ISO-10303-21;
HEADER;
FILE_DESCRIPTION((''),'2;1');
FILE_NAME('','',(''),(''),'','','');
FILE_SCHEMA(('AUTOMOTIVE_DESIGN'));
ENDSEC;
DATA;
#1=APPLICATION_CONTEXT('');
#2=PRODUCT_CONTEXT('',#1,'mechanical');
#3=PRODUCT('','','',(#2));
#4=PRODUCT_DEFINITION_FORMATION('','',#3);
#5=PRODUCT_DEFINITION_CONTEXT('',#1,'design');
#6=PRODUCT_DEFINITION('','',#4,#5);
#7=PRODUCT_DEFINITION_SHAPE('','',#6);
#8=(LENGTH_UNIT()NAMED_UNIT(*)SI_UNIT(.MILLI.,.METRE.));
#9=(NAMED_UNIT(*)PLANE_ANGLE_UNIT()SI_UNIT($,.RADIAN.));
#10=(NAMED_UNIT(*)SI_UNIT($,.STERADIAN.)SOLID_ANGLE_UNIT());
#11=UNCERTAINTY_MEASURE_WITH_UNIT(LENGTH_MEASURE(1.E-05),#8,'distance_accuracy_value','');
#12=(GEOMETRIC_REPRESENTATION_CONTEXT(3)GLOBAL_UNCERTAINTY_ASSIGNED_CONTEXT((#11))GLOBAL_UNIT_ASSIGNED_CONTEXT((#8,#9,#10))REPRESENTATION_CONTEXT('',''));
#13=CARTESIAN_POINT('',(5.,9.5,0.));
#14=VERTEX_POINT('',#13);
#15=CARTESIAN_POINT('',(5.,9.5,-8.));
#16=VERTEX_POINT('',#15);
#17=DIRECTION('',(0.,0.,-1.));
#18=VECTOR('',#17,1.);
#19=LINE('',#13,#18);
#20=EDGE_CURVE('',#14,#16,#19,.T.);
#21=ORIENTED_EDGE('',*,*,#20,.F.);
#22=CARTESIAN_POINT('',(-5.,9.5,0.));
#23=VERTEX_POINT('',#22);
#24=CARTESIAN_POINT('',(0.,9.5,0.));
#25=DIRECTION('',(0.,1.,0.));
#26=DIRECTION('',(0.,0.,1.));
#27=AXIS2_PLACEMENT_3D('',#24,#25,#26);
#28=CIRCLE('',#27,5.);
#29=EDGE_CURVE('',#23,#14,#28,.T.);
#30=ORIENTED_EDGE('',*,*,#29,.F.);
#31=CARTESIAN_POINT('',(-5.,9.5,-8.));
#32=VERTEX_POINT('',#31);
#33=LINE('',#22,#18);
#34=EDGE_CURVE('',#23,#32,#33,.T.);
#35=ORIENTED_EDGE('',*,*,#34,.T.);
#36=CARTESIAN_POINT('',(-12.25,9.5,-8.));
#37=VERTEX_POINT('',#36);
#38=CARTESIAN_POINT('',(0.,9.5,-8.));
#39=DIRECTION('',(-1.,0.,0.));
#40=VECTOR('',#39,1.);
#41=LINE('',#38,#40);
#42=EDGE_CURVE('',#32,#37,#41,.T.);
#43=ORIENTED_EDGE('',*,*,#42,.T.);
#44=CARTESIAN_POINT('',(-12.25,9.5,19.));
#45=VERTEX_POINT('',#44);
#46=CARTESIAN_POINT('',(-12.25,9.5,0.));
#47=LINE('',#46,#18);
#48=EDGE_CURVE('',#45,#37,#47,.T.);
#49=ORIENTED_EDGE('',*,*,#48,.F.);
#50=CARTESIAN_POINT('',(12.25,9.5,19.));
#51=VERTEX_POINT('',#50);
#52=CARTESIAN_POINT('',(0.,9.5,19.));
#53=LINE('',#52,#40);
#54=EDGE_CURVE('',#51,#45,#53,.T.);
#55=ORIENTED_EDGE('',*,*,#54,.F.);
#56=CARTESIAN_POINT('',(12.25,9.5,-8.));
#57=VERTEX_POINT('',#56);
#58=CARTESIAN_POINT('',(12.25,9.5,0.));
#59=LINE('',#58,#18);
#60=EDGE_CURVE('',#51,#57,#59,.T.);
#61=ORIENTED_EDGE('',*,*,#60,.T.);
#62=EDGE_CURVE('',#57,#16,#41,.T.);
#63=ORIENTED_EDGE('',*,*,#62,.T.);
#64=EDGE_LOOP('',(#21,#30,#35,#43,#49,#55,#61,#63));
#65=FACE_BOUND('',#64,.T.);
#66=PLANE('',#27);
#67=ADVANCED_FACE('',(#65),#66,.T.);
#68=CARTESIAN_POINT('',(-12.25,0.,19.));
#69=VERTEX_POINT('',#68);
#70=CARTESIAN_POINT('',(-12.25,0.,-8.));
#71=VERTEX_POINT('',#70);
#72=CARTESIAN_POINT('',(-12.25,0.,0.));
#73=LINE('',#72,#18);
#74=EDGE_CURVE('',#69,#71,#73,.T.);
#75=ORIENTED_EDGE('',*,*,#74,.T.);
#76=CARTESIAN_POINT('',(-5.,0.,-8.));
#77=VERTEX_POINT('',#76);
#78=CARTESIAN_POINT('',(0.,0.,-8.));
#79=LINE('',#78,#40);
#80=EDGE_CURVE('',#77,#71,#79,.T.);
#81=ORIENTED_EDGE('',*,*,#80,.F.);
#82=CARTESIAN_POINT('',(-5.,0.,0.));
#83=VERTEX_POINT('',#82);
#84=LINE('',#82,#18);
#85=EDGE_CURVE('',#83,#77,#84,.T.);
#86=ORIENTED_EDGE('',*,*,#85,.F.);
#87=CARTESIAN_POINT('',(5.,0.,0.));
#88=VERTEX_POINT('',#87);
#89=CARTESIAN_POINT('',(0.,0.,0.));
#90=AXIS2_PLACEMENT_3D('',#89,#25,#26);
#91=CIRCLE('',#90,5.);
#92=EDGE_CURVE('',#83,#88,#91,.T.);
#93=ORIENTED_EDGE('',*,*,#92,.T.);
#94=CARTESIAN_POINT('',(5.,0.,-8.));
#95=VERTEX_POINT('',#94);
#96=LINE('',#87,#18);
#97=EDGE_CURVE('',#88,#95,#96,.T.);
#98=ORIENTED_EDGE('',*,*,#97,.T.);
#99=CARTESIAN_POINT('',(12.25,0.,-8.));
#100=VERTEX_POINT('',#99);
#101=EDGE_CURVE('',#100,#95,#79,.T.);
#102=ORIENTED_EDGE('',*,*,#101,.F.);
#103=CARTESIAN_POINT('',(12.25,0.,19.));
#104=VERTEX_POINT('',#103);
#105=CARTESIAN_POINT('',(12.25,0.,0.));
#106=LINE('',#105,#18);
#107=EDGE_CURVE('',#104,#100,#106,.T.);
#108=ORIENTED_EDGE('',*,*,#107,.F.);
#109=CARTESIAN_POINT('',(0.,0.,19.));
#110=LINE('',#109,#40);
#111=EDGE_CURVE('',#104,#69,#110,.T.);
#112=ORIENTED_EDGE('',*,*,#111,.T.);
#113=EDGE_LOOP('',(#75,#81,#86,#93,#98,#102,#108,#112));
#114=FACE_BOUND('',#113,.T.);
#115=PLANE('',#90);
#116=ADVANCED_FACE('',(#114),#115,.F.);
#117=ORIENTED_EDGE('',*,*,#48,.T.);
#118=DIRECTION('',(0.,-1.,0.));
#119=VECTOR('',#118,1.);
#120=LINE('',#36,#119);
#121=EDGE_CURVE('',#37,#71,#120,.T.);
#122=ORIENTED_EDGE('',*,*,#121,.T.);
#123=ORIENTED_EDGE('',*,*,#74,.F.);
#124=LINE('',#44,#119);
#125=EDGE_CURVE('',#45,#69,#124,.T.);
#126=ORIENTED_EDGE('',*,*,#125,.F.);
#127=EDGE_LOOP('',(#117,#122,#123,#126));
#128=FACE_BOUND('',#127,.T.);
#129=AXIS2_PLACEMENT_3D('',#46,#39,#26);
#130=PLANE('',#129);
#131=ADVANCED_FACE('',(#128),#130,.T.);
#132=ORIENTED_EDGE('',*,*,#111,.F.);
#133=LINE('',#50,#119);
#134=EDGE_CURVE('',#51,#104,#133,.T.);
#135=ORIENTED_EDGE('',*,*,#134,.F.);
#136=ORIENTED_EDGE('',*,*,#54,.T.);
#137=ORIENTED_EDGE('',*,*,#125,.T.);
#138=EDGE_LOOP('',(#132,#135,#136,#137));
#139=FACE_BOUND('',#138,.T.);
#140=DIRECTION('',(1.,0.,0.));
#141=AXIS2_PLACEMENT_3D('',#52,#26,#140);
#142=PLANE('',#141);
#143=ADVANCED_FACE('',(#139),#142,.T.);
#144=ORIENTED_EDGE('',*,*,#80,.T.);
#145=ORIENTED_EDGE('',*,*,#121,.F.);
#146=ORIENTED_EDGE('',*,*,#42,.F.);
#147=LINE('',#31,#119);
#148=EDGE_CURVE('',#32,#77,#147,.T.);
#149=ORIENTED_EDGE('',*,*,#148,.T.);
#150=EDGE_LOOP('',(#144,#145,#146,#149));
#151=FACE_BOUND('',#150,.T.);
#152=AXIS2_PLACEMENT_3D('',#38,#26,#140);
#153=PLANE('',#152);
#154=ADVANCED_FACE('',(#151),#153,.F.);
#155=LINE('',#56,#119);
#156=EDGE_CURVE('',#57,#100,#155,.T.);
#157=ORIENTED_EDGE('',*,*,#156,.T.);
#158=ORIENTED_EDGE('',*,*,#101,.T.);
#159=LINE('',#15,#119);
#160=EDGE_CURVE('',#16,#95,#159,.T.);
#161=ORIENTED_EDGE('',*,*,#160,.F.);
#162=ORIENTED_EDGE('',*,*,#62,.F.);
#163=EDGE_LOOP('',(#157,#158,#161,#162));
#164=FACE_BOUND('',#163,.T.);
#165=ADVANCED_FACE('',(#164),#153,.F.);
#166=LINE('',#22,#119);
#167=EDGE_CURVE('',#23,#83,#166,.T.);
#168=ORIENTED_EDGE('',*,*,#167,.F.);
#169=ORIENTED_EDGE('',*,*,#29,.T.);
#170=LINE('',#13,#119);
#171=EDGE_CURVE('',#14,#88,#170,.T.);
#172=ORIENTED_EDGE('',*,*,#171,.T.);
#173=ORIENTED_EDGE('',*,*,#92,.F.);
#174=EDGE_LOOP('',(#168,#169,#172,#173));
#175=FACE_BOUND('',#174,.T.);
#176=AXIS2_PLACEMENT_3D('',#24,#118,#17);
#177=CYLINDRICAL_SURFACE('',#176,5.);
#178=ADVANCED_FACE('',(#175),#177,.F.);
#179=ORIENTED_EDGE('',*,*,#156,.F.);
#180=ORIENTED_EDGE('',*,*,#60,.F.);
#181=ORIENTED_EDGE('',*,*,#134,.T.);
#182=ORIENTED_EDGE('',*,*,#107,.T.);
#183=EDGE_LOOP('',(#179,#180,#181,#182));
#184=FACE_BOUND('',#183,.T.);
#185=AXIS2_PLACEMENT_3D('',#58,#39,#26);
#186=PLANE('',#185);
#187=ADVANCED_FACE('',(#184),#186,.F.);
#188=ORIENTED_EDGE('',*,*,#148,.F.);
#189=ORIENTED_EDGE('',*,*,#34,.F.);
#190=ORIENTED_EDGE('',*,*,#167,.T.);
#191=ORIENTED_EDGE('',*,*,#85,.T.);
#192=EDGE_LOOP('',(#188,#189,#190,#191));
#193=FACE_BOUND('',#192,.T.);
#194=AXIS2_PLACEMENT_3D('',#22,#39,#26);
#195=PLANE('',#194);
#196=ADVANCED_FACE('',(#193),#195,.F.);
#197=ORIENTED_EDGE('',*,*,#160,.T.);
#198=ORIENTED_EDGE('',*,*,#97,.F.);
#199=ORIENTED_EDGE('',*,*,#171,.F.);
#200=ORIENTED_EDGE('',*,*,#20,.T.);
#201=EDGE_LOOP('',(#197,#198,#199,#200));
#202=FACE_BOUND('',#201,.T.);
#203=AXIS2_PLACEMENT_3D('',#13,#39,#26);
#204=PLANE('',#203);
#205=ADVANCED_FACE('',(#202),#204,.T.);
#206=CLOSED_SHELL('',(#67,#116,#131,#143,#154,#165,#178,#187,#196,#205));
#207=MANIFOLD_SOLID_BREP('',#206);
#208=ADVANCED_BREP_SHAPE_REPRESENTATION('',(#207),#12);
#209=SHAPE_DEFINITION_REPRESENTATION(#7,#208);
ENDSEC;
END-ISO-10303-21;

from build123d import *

# Parameters (mm, degrees)
DODANIE_WYCI_GNI_CIE1_DEPTH = 9.5


with BuildPart() as part:
    # Szkic1 → Dodanie-wyciągnięcie1 (new body)
    with BuildSketch(Plane(origin=(0, 0, 0), x_dir=(1, 0, 0), z_dir=(0, 1, 0))):
        with BuildLine():
            ThreePointArc((5, 0), (0, -5), (-5, 0))
            Line((-5, 0), (-5, 8))
            Line((-5, 8), (-12.25, 8))
            Line((-12.25, 8), (-12.25, -19))
            Line((-12.25, -19), (12.25, -19))
            Line((12.25, -19), (12.25, 8))
            Line((12.25, 8), (5, 8))
            Line((5, 8), (5, 0))
        make_face()
    extrude(amount=DODANIE_WYCI_GNI_CIE1_DEPTH)


solid = part.part
